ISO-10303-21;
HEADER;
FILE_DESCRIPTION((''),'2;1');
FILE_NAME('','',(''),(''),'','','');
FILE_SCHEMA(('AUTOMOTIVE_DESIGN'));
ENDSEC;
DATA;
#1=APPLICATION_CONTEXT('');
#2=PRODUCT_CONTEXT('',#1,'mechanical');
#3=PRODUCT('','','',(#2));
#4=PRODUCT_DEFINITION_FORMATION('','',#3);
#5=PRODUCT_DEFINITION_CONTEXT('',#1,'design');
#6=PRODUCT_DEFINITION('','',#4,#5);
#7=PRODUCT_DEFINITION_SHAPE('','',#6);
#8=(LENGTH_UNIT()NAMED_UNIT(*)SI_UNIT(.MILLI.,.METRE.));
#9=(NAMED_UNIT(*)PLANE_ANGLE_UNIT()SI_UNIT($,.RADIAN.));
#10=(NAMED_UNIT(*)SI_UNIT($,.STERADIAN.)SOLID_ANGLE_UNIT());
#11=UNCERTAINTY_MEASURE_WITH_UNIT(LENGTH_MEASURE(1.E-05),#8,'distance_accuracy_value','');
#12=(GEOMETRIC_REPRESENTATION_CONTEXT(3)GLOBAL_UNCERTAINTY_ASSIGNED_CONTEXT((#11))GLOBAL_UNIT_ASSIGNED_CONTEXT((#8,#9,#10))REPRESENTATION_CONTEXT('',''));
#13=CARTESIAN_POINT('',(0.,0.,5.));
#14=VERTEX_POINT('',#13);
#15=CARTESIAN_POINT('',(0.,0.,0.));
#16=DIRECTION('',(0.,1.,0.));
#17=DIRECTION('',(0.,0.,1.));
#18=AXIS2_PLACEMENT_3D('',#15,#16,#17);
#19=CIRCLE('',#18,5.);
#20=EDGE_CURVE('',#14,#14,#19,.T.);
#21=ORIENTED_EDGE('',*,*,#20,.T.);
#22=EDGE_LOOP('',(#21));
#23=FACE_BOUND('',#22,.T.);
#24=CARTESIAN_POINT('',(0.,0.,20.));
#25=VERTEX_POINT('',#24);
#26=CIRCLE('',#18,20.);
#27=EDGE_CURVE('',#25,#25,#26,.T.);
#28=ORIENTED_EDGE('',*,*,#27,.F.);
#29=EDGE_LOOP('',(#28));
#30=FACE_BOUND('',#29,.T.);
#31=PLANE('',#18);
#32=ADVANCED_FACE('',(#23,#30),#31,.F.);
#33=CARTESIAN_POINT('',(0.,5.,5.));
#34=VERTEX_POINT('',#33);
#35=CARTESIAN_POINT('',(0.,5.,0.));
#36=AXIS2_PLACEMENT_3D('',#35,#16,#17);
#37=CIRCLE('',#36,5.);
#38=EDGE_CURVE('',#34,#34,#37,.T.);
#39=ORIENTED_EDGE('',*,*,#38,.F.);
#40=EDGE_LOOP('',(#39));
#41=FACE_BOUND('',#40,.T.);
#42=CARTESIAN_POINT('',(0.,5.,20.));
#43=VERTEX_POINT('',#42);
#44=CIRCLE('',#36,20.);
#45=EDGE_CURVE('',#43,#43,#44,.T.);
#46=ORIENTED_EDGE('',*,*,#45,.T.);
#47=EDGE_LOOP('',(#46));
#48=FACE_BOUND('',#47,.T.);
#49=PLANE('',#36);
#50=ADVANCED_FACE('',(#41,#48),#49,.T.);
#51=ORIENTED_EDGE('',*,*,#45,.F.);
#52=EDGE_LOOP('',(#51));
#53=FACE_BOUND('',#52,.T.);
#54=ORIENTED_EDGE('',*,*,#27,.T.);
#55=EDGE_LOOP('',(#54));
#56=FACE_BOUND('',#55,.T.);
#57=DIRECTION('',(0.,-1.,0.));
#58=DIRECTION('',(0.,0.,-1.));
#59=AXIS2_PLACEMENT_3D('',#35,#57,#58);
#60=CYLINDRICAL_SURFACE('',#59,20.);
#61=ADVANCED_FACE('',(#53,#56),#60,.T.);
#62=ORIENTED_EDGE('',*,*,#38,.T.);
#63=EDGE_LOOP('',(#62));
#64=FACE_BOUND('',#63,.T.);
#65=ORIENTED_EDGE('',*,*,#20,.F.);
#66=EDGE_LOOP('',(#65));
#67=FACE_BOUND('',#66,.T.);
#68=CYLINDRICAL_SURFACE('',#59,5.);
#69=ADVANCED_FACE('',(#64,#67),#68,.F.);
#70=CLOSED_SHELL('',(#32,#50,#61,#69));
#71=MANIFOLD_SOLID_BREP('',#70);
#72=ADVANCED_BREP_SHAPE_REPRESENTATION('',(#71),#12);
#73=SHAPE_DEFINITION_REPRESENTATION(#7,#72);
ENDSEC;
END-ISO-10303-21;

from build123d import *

# Parameters (mm, degrees)
SKETCH1_R           = 20
SKETCH1_R_2         = 5
BOSS_EXTRUDE1_DEPTH = 5


with BuildPart() as part:
    # Sketch1 → Boss-Extrude1 (new body)
    with BuildSketch(Plane(origin=(0, 0, 0), x_dir=(1, 0, 0), z_dir=(0, 1, 0))):
        Circle(SKETCH1_R)
        Circle(SKETCH1_R_2, mode=Mode.SUBTRACT)
    extrude(amount=BOSS_EXTRUDE1_DEPTH)


solid = part.part
